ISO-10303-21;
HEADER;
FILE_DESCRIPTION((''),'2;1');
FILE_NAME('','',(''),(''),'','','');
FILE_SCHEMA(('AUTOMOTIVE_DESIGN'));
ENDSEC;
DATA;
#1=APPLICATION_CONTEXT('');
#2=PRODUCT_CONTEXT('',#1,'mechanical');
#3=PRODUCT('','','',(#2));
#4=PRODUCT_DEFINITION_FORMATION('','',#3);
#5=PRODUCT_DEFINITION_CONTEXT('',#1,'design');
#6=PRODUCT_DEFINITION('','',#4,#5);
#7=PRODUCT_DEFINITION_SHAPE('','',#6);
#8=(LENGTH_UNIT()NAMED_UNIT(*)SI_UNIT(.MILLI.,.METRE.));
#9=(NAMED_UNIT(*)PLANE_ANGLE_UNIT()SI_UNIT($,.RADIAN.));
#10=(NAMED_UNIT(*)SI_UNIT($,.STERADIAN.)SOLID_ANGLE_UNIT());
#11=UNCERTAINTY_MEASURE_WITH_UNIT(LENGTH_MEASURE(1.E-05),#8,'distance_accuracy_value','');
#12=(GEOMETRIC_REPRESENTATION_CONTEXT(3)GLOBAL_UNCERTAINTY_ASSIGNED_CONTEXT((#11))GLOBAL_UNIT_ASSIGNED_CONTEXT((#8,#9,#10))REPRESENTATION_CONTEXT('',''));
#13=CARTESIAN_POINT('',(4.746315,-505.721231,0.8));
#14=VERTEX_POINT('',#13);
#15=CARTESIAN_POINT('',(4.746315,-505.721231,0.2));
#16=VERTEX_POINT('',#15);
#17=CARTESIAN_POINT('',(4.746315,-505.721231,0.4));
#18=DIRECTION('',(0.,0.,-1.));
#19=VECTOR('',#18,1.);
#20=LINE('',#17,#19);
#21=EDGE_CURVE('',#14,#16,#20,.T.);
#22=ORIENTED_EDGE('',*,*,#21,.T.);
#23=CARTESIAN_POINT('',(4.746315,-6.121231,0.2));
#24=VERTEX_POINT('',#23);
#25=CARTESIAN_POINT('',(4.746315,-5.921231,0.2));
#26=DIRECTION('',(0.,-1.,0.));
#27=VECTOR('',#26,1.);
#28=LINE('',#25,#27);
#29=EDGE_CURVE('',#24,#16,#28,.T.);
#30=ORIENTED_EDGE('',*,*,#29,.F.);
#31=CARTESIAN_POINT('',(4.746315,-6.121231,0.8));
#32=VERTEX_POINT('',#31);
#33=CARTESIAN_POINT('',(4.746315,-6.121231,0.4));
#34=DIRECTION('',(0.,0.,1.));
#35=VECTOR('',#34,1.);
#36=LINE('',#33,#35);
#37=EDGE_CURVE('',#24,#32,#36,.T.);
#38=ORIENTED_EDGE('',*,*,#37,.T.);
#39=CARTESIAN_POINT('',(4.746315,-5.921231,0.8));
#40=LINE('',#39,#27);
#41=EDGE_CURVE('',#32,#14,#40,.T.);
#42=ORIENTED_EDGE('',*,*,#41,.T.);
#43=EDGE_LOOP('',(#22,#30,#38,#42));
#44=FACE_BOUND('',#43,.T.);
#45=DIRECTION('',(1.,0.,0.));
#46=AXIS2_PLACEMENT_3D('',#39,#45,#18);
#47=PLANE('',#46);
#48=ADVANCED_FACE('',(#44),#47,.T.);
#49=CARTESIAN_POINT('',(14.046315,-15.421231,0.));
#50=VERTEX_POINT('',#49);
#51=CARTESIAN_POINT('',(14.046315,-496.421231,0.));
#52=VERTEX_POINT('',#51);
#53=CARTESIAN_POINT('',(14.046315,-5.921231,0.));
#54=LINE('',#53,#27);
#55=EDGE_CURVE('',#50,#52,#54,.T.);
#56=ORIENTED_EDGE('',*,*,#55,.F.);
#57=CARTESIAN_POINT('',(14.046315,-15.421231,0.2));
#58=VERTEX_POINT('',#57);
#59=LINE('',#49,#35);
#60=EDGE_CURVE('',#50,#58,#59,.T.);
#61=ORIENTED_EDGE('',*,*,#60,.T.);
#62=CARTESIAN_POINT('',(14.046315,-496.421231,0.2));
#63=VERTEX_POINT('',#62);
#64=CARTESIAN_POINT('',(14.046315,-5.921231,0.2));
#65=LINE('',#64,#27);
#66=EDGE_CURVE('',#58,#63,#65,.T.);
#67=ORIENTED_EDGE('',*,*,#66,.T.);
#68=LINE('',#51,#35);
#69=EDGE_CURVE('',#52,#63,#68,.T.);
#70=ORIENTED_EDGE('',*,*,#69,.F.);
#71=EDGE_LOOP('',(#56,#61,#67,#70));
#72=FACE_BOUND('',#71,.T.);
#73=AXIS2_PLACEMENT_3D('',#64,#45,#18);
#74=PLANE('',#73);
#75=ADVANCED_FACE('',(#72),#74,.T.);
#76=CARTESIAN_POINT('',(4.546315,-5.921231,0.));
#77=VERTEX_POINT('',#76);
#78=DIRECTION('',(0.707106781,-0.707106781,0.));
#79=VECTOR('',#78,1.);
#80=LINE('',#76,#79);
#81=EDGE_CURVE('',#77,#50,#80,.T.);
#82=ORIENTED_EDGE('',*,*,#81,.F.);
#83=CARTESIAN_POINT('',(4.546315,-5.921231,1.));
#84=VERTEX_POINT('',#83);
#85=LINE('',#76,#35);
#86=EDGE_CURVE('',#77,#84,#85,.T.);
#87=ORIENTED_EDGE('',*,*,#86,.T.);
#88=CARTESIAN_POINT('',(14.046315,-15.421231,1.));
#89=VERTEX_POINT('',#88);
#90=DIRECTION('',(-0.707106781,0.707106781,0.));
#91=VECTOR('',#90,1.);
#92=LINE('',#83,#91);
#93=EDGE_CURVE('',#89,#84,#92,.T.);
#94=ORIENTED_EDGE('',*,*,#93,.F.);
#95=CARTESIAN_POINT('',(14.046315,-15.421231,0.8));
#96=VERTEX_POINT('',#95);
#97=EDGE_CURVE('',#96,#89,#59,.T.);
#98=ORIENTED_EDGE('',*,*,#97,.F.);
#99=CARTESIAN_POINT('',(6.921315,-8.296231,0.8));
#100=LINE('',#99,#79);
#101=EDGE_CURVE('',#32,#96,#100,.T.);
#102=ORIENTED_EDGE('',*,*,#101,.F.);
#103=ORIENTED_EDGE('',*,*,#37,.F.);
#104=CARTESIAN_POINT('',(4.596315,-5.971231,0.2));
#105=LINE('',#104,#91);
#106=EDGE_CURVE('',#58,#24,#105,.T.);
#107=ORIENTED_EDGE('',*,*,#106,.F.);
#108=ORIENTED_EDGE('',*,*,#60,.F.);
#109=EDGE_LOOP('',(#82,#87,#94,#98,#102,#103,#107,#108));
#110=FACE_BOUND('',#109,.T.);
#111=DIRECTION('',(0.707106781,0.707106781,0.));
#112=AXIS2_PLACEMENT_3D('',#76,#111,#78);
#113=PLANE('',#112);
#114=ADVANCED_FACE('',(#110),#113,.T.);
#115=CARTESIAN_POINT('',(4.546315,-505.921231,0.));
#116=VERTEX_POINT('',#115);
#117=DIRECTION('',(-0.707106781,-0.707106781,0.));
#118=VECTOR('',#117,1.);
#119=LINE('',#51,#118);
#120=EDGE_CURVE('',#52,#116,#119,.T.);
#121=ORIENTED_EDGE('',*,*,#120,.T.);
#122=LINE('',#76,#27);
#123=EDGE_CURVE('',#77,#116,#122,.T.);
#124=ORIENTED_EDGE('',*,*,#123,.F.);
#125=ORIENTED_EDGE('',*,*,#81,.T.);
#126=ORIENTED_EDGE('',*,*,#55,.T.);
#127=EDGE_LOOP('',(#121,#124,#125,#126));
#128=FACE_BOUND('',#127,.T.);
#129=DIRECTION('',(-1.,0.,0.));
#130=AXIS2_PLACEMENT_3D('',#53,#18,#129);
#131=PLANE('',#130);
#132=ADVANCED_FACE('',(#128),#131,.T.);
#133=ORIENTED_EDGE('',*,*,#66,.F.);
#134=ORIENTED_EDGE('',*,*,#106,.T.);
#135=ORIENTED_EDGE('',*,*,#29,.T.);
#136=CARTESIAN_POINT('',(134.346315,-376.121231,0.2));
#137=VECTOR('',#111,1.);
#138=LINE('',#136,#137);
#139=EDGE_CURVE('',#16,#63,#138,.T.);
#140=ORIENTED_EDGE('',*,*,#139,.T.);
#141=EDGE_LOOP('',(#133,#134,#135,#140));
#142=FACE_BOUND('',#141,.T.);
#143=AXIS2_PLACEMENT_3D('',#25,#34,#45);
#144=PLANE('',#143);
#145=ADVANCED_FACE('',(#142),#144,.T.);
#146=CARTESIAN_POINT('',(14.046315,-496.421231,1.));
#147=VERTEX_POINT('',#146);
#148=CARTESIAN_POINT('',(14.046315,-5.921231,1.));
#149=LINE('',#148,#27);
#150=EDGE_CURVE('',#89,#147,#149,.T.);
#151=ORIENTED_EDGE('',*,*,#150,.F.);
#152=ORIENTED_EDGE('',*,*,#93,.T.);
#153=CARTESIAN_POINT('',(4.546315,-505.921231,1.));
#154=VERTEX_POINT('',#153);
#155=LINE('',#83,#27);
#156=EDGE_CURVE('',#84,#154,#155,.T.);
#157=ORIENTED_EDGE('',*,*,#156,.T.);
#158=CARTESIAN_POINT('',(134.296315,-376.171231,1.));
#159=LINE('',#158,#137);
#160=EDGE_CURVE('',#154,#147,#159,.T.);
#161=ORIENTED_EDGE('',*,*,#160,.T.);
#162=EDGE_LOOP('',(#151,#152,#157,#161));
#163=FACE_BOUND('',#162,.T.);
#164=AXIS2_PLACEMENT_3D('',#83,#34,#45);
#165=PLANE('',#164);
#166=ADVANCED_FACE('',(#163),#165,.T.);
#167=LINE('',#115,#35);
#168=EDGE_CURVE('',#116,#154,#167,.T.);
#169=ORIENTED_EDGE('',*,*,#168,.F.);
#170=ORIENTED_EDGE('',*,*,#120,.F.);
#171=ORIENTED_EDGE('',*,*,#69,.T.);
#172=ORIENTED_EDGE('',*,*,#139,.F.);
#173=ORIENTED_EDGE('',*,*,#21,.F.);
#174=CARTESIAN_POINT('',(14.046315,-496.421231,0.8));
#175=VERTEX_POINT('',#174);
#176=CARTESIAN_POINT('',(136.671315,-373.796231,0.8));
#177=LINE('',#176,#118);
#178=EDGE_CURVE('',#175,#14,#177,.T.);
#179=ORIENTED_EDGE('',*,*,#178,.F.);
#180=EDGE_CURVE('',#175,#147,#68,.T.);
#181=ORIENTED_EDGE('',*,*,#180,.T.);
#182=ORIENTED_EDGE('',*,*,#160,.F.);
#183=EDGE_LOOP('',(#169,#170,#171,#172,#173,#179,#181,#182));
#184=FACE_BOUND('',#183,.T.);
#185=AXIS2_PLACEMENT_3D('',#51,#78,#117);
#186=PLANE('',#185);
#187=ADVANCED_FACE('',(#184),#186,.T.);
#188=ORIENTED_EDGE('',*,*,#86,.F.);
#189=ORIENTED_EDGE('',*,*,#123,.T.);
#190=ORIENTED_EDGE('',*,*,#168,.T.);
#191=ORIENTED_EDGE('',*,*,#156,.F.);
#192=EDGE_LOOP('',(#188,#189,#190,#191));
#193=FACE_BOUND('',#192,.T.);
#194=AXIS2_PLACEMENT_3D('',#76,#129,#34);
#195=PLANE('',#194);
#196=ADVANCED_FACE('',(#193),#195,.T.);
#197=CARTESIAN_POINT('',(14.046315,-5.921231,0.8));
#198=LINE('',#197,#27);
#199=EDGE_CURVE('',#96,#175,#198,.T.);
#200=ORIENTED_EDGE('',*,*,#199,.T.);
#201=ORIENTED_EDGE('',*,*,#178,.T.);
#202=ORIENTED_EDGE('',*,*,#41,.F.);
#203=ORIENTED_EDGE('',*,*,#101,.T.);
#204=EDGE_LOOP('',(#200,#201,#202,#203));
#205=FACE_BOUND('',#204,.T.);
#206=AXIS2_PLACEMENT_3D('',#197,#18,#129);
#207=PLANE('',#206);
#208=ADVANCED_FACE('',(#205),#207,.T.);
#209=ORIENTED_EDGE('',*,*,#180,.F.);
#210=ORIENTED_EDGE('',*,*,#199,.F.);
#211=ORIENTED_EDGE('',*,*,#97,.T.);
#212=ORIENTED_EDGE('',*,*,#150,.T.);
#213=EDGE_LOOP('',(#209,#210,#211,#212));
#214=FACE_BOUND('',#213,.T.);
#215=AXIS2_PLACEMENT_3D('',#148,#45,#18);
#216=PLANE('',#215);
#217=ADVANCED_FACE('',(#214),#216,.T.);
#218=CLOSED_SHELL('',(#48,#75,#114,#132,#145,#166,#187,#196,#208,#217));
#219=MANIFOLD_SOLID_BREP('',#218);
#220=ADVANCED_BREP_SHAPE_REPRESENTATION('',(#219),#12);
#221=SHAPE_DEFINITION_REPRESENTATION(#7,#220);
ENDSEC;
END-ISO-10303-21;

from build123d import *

# Parameters (mm, degrees)
PAD_DEPTH            = 500
POCKET_DEPTH         = 1.001
POCKET001_DEPTH      = 1.001
BODY_PLACEMENT_ANGLE = 90


with BuildPart() as part:
    # Sketch001 → Pad (new body)
    with BuildSketch(Plane.XZ):
        Polygon((0, 0), (0, 9.5), (1, 9.5), (1, 0), (0.8, 0), (0.8, 9.3), (0.2, 9.3), (0.2, 0), align=None)
    extrude(amount=PAD_DEPTH)

    # Sketch → Pocket (cut, through all)
    with BuildSketch(Plane.YZ):
        Polygon((0, 0), (0, 9.5), (-9.5, 0), align=None)
    extrude(amount=POCKET_DEPTH, mode=Mode.SUBTRACT)

    # Sketch002 → Pocket001 (cut, through all)
    with BuildSketch(Plane.YZ):
        Polygon((-500, 0), (-490.5, 0), (-500, 9.5), align=None)
    extrude(amount=POCKET001_DEPTH, mode=Mode.SUBTRACT)


with BuildPart() as part_1:
    # Body placement: moved
    add(part.part.moved(Location((14.046315, -5.921231, 0))).rotate(Axis((14.046315, -5.921231, 0), (0, -1, 0)), BODY_PLACEMENT_ANGLE))


solid = part_1.part
